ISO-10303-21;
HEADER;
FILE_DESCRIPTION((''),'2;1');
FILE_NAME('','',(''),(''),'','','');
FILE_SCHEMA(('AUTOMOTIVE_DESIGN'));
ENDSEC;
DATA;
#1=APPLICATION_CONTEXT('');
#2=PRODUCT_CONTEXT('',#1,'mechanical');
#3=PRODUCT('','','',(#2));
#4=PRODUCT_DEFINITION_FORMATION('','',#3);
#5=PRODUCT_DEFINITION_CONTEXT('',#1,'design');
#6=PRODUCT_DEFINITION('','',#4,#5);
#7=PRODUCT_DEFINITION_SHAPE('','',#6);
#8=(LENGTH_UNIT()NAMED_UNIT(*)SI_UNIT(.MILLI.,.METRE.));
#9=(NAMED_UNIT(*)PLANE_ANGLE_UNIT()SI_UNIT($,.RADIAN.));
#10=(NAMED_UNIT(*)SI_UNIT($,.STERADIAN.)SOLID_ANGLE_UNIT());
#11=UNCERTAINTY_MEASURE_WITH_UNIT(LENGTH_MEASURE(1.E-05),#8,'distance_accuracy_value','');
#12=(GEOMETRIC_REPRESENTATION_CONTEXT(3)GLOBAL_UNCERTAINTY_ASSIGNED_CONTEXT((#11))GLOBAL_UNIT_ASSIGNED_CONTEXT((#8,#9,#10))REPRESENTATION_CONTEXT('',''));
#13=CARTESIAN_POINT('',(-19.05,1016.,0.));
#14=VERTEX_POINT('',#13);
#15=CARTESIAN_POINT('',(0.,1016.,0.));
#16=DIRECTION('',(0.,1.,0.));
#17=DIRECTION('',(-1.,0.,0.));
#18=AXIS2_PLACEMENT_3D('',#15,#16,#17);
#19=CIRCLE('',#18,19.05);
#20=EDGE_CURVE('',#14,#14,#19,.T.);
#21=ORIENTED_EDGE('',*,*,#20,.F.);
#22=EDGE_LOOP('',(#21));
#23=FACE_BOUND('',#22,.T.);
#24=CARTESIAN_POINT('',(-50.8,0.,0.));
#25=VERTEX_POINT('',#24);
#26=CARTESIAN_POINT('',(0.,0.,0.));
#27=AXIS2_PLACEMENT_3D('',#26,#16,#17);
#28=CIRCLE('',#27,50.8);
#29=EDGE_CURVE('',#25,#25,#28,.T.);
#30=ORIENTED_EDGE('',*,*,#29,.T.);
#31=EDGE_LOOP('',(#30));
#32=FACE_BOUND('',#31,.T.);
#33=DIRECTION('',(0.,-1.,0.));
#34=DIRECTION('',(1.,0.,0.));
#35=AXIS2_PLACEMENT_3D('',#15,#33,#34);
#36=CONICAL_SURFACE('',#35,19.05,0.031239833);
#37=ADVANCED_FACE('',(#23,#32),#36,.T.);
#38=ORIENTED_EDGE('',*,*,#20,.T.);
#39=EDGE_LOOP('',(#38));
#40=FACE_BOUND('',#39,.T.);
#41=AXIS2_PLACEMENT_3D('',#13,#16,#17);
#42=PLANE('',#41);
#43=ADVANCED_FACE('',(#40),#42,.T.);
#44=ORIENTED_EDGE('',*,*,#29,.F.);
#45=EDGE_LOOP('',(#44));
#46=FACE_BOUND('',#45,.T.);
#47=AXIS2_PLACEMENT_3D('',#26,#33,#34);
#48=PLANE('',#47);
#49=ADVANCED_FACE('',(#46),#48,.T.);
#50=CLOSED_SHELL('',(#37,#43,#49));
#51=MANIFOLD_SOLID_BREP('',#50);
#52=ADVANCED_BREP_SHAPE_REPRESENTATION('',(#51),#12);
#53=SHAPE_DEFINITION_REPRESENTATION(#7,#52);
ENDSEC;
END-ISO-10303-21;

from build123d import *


with BuildPart() as part:
    # Sketch2 → Revolve4 (revolve)
    with BuildSketch(Plane.XY):
        Polygon((0, 0), (-50.8, 0), (-19.05, 1016), (0, 1016), align=None)
    revolve(axis=Axis((0, 1016, 0), (0, -1, 0)))


solid = part.part
